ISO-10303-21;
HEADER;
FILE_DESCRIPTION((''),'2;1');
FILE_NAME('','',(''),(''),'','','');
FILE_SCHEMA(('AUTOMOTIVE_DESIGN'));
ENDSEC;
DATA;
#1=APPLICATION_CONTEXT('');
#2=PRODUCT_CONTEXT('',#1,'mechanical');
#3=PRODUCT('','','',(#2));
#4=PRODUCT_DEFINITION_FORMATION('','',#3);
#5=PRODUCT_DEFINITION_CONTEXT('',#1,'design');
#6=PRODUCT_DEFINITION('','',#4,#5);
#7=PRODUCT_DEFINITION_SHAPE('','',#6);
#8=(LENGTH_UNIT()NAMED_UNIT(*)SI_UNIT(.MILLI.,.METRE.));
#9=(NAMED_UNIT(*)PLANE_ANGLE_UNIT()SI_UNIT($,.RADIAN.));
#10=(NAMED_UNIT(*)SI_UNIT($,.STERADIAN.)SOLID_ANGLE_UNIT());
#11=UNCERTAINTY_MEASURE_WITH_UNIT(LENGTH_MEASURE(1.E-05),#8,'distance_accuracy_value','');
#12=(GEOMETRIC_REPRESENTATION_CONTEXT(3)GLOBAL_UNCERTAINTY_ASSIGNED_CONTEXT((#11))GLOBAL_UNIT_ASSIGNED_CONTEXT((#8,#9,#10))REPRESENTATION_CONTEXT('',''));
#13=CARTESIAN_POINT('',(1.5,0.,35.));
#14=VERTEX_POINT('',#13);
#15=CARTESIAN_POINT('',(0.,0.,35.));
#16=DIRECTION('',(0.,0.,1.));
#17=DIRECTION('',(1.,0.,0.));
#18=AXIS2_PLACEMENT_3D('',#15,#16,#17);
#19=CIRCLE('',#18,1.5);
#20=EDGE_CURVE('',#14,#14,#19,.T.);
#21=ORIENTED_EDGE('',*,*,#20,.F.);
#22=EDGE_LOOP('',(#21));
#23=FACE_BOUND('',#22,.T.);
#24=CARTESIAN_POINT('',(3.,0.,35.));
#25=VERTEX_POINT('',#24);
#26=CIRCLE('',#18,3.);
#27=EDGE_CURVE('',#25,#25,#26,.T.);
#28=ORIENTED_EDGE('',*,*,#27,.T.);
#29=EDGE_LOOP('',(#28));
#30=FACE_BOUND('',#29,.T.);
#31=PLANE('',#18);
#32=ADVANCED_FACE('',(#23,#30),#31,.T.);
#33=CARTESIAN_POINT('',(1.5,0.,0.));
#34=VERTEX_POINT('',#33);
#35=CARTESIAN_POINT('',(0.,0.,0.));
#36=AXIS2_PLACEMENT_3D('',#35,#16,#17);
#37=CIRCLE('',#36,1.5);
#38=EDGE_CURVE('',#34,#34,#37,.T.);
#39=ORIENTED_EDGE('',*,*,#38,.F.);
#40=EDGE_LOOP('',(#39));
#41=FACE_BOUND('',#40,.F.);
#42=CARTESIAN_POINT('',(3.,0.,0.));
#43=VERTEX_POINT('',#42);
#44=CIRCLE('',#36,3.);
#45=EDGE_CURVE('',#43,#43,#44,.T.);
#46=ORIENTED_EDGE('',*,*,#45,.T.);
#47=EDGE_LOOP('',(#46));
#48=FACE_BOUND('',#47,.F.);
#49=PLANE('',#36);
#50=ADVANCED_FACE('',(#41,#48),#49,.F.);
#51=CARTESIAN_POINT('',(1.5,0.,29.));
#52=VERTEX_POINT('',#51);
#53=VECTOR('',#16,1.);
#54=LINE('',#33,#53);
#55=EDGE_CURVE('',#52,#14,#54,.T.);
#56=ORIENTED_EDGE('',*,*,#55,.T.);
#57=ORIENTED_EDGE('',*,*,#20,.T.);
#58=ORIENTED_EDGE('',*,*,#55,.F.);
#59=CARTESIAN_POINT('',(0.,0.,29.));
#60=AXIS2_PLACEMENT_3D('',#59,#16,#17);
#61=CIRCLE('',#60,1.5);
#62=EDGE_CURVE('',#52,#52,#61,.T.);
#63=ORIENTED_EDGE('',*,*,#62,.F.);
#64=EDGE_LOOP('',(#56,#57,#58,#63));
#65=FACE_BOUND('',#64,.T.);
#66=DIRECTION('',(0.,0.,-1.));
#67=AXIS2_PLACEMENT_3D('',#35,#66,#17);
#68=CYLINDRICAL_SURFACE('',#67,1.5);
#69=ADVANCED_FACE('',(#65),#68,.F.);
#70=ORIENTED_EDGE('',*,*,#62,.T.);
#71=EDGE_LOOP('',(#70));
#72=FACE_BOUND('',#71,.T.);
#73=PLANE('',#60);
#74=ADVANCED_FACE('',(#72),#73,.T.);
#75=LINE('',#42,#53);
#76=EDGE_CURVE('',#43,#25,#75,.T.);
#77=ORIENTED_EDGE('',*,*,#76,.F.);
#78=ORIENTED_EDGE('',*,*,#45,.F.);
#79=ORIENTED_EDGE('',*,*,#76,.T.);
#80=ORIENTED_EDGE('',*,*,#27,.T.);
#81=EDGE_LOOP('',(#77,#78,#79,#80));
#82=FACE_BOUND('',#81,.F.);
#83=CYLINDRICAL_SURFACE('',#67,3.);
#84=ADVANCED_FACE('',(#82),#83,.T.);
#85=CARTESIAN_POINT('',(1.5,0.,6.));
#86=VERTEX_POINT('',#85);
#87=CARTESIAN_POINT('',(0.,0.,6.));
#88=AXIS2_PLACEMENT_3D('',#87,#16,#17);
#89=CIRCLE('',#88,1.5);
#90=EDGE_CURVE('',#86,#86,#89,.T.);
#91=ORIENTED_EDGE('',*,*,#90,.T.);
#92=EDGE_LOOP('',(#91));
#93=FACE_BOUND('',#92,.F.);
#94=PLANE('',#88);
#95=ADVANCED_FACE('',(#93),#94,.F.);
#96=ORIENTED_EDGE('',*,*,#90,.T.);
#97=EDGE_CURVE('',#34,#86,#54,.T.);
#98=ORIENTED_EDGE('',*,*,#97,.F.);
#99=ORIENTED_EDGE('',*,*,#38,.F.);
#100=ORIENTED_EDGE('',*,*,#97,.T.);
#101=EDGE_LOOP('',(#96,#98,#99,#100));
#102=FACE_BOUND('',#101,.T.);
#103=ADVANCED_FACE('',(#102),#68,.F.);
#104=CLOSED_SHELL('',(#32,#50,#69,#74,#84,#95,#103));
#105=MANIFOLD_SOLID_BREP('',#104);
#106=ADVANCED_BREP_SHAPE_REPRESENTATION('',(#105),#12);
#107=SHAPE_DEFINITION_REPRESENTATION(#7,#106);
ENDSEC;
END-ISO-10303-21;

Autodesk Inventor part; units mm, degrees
ref_plane "YZ Plane" through (0, 0, 0) normal (1, 0, 0) x (0, 1, 0)
ref_plane "XZ Plane" through (0, 0, 0) normal (0, 1, 0) x (-1, 0, 0)
sketch "スケッチ1" plane through (0, 0, 0) normal (0, 0, 1) x (1, 0, 0)
  circle A0 centre (0, 0) radius 1.5
  circle A1 centre (0, 0) radius 3
  dimension "d0" = 3
  dimension "d1" = 6
extrude "押し出し1" add sketch "スケッチ1" along normal blind 35
ref_plane "作業平面1" through (0, 0, 29) normal (0, 0, 1) x (1, 0, 0)
sketch "スケッチ3" plane through (0, 0, 29) normal (0, 0, 1) x (1, 0, 0)
  circle A0 centre (0, 0) radius 1.5 projected
extrude "押し出し3" add sketch "スケッチ3" against normal blind 23
properties part number "スペーサーm3,35" material "アルミニウム 7075"
